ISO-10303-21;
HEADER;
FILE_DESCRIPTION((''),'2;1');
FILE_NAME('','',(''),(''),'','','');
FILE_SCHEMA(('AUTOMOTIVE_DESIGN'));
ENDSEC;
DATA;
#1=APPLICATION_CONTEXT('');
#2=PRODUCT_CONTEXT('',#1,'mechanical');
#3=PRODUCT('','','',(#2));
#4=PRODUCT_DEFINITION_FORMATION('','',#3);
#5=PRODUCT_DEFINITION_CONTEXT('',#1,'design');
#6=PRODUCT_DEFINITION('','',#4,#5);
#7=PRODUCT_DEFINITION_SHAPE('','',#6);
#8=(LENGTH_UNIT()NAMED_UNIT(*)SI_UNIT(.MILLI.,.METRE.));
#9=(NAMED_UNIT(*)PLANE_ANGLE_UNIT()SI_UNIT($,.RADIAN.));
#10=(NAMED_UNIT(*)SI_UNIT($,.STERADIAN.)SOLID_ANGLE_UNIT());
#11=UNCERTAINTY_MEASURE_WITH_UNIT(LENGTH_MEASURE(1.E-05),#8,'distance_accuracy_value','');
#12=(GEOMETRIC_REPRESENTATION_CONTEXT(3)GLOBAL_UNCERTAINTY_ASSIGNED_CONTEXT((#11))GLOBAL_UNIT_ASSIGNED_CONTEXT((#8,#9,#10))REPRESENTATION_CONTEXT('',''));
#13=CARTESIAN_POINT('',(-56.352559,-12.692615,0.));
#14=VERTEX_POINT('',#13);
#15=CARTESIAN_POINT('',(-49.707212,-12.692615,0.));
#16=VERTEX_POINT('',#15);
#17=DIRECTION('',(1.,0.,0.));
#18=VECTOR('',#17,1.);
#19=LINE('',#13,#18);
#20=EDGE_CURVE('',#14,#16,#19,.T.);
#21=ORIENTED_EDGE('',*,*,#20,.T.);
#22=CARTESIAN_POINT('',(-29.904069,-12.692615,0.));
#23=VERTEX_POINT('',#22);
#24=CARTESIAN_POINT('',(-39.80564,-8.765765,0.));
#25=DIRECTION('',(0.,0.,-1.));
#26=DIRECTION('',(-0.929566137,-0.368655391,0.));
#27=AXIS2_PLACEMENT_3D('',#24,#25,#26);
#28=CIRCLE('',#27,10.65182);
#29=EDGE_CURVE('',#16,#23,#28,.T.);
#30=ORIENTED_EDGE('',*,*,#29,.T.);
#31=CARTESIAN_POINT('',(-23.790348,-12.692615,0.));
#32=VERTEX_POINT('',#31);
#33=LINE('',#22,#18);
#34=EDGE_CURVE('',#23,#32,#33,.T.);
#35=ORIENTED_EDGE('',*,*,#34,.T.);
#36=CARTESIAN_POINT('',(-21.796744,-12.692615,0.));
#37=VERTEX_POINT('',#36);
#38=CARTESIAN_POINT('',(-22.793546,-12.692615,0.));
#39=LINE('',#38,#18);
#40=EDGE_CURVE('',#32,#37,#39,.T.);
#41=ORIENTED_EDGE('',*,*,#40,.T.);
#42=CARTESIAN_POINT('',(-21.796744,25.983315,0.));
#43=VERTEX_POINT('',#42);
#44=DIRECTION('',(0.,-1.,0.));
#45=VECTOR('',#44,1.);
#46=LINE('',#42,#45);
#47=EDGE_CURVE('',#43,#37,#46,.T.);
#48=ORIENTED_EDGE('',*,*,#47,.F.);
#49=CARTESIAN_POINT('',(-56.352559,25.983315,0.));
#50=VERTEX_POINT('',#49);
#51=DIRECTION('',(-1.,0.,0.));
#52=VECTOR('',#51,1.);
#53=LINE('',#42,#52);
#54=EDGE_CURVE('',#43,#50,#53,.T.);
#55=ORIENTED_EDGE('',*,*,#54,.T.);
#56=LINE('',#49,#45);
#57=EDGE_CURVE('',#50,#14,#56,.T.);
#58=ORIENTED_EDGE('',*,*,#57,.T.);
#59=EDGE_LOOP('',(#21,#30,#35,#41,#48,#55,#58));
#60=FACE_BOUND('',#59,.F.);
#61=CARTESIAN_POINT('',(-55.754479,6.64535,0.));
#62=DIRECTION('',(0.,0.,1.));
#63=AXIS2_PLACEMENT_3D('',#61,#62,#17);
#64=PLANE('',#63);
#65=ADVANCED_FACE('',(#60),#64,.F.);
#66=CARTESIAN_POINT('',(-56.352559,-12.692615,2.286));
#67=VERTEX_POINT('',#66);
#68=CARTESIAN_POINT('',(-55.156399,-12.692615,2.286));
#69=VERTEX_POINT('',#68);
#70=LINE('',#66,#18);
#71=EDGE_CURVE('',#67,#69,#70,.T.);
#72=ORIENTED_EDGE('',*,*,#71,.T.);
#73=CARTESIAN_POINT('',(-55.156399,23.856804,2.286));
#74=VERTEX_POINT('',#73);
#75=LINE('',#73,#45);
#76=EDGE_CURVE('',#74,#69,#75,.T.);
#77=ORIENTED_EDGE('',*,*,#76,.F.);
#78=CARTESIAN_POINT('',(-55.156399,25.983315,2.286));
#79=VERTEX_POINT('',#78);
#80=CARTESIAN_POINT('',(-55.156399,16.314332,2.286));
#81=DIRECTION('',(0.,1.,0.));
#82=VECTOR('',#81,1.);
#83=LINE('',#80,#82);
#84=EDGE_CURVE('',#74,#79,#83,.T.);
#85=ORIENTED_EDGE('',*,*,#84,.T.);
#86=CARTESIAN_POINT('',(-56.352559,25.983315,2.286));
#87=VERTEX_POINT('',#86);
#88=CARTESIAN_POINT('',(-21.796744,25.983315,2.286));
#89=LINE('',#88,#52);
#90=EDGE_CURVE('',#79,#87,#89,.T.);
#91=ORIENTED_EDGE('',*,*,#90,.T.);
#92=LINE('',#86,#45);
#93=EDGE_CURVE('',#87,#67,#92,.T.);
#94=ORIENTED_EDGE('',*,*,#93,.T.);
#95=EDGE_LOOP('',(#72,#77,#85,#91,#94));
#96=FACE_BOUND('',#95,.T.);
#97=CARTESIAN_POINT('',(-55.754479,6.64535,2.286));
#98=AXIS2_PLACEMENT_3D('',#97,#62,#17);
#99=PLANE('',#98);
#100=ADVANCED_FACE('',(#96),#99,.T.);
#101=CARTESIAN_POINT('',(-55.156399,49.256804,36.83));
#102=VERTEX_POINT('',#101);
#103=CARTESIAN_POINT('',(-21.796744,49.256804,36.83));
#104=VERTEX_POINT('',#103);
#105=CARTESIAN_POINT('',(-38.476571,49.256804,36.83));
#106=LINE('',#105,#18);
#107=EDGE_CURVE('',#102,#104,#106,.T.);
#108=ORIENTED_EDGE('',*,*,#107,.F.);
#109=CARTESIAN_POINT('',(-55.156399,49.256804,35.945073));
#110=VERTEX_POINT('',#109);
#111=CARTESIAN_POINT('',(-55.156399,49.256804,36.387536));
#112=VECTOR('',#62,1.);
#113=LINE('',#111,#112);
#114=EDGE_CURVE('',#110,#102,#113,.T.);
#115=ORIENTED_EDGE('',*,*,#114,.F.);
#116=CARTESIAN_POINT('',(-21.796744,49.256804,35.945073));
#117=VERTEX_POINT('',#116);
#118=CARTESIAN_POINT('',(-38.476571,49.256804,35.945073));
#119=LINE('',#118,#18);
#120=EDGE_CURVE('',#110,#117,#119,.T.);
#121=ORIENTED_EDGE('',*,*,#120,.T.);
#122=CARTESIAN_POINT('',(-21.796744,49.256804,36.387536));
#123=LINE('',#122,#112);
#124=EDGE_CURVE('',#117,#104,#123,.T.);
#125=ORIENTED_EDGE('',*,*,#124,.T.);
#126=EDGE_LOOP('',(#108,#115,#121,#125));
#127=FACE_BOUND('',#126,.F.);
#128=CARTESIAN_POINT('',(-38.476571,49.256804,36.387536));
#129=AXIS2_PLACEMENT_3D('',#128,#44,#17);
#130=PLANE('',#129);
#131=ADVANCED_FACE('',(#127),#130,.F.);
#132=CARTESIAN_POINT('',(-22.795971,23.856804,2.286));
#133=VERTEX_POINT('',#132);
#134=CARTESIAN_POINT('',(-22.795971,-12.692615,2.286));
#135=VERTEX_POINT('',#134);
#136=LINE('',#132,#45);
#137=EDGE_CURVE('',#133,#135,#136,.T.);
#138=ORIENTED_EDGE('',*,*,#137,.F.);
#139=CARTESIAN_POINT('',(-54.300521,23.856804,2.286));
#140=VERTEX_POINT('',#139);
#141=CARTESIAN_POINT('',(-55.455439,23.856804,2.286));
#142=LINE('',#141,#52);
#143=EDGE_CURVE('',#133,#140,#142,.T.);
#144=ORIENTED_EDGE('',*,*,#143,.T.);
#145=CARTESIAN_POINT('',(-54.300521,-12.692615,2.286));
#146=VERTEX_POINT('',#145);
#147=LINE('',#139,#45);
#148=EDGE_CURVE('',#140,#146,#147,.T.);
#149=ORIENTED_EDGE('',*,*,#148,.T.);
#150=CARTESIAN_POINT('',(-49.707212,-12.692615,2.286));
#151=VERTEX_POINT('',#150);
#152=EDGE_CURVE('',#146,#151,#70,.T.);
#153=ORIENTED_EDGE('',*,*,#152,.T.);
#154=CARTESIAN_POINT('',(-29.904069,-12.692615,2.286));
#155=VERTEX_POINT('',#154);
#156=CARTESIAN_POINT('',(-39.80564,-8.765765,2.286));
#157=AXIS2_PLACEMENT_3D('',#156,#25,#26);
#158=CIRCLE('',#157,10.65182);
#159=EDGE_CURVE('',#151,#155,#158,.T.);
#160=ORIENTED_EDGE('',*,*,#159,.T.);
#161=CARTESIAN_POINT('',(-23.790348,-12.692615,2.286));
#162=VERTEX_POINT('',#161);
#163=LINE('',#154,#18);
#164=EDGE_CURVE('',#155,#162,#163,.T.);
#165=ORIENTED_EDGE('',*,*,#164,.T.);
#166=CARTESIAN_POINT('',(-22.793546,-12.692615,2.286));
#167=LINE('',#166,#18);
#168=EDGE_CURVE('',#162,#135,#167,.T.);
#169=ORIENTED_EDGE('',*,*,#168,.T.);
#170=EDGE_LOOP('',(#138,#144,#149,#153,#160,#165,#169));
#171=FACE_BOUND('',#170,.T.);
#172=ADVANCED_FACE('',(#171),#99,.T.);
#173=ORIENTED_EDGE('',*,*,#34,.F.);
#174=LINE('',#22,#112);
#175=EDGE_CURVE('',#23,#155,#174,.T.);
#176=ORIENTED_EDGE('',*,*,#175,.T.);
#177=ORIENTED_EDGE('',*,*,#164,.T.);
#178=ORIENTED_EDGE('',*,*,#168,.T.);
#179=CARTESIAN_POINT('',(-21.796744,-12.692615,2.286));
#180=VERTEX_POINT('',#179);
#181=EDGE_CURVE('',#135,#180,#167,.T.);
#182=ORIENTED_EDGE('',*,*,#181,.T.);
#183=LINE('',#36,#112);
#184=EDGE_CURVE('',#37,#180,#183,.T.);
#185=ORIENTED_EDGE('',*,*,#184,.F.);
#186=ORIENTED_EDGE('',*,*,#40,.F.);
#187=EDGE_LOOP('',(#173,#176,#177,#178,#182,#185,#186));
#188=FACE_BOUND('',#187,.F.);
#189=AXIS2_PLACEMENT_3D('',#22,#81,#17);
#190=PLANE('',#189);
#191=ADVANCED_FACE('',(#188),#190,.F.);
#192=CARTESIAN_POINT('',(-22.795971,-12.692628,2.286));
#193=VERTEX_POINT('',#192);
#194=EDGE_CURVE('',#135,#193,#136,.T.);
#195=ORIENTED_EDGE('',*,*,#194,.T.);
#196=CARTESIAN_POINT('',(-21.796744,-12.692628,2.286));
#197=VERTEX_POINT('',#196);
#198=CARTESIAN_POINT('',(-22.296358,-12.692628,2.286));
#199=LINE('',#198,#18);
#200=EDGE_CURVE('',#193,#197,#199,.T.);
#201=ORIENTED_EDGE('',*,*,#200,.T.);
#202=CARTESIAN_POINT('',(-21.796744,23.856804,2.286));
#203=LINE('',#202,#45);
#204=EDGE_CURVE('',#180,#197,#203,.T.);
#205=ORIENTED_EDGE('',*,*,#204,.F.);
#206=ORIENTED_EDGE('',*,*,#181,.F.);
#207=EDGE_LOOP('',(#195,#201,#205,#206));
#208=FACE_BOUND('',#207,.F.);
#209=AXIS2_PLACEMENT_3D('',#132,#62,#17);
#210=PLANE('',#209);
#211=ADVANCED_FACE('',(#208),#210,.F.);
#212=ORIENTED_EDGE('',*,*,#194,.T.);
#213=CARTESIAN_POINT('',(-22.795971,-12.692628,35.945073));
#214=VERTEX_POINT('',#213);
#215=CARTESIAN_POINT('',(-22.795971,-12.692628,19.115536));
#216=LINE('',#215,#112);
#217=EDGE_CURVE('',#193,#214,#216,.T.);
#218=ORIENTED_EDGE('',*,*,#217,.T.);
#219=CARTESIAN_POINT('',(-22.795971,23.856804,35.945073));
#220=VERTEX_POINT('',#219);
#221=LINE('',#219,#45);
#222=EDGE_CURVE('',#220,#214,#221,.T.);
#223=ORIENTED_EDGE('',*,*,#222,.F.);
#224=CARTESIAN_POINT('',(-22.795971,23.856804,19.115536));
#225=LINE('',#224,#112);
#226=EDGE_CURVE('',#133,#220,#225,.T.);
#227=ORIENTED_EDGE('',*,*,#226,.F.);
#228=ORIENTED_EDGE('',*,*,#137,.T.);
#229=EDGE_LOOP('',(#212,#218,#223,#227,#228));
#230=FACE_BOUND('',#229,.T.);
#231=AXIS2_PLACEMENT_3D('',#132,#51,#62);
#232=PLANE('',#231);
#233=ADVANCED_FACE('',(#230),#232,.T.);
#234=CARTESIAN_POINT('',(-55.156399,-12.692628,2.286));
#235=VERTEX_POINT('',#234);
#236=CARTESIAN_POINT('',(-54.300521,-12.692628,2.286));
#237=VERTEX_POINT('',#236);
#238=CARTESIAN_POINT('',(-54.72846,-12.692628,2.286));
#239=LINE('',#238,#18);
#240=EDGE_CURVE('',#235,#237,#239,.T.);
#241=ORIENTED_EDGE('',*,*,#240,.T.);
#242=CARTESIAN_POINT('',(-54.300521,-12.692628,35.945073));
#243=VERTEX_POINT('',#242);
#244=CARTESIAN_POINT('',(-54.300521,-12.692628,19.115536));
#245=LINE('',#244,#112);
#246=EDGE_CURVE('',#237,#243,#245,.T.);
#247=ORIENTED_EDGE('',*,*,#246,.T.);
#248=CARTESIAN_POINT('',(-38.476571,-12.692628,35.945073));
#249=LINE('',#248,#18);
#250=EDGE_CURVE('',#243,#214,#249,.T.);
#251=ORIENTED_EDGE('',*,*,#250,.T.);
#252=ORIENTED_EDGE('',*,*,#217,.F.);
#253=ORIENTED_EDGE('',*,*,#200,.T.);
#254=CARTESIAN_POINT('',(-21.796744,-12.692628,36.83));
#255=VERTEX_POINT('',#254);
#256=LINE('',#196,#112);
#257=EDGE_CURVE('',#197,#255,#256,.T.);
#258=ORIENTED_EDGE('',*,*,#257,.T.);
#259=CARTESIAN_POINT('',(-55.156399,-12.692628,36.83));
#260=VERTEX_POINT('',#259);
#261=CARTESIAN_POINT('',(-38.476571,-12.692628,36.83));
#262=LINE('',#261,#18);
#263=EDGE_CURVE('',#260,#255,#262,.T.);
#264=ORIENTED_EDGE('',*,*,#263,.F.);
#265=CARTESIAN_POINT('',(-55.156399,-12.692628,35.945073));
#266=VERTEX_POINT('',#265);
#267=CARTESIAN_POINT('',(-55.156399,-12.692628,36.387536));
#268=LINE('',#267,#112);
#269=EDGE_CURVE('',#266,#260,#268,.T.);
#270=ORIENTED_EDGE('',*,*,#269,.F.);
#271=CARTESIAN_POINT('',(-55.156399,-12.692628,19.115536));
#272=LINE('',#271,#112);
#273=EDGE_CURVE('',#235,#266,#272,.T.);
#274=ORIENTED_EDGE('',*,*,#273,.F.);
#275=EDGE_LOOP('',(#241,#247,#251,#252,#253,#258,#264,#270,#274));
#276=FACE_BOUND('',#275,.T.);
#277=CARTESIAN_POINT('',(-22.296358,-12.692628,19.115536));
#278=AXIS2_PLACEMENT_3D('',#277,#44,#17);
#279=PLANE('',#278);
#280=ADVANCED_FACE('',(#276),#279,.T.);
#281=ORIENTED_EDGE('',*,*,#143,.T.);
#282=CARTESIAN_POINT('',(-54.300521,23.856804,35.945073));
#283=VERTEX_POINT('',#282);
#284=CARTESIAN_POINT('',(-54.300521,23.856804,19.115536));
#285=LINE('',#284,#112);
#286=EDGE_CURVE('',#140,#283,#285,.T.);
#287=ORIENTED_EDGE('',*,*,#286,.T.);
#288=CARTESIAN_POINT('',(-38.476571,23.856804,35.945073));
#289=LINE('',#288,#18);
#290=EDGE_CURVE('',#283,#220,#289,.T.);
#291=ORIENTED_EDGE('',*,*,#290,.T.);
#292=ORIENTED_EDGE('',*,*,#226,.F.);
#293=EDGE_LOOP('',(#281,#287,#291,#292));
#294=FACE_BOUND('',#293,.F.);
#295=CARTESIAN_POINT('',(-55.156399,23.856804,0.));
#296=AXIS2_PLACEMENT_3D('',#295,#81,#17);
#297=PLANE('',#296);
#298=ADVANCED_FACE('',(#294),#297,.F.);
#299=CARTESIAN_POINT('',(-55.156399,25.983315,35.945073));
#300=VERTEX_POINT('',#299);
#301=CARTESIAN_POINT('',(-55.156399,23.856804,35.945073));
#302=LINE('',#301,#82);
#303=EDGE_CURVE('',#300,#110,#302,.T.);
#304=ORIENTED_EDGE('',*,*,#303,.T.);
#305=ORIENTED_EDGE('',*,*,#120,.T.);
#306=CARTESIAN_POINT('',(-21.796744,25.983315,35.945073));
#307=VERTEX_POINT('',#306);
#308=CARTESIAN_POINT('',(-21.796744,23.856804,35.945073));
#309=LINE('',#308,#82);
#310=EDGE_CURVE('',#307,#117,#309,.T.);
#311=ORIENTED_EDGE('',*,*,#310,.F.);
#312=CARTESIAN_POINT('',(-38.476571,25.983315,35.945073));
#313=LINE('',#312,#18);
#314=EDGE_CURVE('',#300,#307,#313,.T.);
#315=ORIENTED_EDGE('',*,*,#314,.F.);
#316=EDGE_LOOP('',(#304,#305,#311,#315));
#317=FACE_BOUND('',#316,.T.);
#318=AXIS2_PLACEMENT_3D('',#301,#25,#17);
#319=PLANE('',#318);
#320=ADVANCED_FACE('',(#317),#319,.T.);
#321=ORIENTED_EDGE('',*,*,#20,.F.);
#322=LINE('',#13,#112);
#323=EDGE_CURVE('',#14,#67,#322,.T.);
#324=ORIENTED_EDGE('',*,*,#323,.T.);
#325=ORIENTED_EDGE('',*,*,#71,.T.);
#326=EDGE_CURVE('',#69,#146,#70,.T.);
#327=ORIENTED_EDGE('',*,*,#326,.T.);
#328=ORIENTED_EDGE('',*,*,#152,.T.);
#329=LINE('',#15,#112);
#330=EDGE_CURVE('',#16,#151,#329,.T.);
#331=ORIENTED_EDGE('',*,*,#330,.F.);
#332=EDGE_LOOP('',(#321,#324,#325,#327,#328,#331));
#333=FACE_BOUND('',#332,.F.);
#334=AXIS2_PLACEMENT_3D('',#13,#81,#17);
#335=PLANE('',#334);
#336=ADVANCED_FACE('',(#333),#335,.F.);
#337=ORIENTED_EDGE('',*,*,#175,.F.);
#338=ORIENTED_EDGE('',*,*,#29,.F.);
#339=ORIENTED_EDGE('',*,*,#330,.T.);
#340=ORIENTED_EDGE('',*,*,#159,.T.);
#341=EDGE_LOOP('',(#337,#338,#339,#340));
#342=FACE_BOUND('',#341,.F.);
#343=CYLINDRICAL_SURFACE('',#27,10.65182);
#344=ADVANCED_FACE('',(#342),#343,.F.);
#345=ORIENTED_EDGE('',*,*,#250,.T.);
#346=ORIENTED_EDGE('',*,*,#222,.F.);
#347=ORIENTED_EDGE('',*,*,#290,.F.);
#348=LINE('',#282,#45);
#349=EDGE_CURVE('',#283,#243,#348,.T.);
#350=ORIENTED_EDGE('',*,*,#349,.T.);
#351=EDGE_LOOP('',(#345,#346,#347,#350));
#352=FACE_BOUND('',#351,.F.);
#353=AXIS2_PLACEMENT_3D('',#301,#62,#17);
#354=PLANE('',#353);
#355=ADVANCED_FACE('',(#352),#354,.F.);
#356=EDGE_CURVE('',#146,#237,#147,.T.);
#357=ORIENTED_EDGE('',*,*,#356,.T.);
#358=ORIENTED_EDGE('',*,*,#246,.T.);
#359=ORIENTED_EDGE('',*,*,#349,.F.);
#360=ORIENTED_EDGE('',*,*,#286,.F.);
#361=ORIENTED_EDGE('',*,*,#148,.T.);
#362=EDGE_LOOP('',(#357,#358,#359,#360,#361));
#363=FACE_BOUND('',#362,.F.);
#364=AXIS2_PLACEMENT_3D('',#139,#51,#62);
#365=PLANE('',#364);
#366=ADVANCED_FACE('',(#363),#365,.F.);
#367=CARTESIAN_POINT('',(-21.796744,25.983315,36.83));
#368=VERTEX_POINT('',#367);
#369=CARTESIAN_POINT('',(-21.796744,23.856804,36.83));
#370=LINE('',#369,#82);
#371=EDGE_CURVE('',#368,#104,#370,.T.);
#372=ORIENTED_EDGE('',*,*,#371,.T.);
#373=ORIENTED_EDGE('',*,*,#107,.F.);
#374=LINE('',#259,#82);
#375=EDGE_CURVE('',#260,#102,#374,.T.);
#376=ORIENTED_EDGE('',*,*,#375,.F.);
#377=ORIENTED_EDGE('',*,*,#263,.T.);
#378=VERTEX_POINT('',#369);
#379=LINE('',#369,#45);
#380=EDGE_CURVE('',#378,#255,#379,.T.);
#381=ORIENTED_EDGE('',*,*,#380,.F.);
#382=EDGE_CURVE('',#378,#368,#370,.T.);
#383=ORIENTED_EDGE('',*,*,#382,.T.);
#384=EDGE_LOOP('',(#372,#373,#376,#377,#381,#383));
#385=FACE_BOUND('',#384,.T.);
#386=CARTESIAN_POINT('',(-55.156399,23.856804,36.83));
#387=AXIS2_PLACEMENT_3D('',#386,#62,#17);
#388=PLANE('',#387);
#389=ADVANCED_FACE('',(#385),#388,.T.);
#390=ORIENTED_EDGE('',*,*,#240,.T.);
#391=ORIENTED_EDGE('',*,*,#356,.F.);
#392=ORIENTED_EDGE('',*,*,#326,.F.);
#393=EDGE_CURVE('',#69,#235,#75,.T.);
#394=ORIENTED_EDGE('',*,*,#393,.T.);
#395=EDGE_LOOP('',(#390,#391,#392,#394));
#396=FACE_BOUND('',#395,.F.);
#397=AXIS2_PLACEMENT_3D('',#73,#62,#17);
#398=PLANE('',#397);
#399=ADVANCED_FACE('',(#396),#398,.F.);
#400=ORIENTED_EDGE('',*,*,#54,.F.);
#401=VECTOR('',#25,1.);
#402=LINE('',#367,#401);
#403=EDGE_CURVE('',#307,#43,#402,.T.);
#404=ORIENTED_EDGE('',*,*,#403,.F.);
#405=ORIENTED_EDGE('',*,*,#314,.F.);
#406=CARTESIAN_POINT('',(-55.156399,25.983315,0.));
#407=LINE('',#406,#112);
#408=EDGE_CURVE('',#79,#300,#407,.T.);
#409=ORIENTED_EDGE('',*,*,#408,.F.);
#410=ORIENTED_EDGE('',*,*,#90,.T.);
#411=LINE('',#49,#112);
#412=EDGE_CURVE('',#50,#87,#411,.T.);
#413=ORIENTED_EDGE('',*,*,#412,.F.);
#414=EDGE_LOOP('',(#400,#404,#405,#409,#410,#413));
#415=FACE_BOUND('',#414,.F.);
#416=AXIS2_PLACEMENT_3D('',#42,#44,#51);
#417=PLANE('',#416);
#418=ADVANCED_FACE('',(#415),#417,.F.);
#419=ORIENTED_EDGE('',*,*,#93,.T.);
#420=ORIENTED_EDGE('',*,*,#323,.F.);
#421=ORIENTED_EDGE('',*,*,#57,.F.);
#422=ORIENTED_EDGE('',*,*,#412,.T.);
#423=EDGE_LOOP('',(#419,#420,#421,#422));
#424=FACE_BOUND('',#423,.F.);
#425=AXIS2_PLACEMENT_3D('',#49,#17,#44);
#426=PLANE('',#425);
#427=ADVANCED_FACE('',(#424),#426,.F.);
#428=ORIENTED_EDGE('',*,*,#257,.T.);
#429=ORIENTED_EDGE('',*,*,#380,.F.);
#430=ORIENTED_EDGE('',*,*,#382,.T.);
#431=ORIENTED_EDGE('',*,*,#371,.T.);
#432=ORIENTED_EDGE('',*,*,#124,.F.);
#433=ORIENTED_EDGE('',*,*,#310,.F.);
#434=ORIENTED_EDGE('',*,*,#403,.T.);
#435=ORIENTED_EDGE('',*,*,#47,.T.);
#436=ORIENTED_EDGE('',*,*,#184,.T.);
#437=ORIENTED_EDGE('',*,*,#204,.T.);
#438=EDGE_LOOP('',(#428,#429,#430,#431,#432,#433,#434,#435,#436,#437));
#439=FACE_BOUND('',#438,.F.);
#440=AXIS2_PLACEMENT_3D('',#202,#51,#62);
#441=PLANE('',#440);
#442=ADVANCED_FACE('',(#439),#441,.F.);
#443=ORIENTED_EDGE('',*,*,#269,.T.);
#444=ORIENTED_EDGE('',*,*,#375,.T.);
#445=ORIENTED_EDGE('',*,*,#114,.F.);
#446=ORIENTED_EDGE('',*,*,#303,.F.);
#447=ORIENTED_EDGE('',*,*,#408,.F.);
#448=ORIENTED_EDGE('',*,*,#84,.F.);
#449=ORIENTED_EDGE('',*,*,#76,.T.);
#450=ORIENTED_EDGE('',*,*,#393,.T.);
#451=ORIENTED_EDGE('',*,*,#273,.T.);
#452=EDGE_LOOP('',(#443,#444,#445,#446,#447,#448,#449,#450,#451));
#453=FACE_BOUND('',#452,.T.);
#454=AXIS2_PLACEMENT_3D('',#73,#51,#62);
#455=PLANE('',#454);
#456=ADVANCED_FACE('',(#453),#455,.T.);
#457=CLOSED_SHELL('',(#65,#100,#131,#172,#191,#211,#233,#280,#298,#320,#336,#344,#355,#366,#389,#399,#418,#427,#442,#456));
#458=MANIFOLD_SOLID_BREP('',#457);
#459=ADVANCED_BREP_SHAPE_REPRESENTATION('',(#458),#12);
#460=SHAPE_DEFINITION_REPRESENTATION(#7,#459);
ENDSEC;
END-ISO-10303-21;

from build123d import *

# Parameters (mm, degrees)
F0_W          = 1.9936040044
F0_H          = 36.5494191647
F1_DEPTH      = 2.286
F2_DEPTH      = 36.83
F3_W          = 33.3596542478
F3_H          = 0.8849272299
F4_DEPTH      = 36.5494316
F4_DEPTH_BACK = 25.4
F5_W          = 0.8558779955
F5_H          = 33.6590727701
F6_DEPTH      = 36.5494316
F7_W          = 0.9992271662
F7_H          = 33.6590727701
F8_DEPTH      = 36.5494316


with BuildPart() as f1:
    # F0 (on Top) → F1 (new body)
    with BuildSketch(Plane.XY):
        Polygon((-55.1563985646, 25.9833149612), (-56.3525594771, 25.9833149612), (-56.3525594771, -12.6926153898), (-55.1563985646, -12.6926153898), (-55.1563985646, 23.8568037748), align=None)
        with Locations((-22.793546319, 5.5820941925)):
            Rectangle(F0_W, F0_H)
        Polygon((-21.7967443168, 25.9833149612), (-55.1563985646, 25.9833149612), (-55.1563985646, 23.8568037748), (-23.7903483212, 23.8568037748), (-21.7967443168, 23.8568037748), align=None)
        with BuildLine():
            Line((-23.7903483212, 23.8568037748), (-55.1563985646, 23.8568037748))
            Line((-55.1563985646, 23.8568037748), (-55.1563985646, -12.6926153898))
            Line((-55.1563985646, -12.6926153898), (-49.7072115541, -12.6926153898))
            ThreePointArc((-49.7072115541, -12.6926153898), (-39.8056404665, 1.8860553596), (-29.904069379, -12.6926153898))
            Line((-29.904069379, -12.6926153898), (-23.7903483212, -12.6926153898))
            Line((-23.7903483212, -12.6926153898), (-23.7903483212, 23.8568037748))
        make_face()
    extrude(amount=F1_DEPTH)

    # F0 (on Top) → F2 (join)
    with BuildSketch(Plane.XY):
        Polygon((-21.7967443168, 25.9833149612), (-55.1563985646, 25.9833149612), (-55.1563985646, 23.8568037748), (-23.7903483212, 23.8568037748), (-21.7967443168, 23.8568037748), align=None)
    extrude(amount=F2_DEPTH)

    # F3 (on face) → F4 (join, two sides)
    with BuildSketch(Plane.XZ.offset(-23.8568037748)) as f4_sk:
        with Locations((-38.4765714407, 36.3875363851)):
            Rectangle(F3_W, F3_H)
    extrude(amount=F4_DEPTH)
    extrude(f4_sk.sketch, amount=-F4_DEPTH_BACK)

    # F5 (on face) → F6 (join)
    with BuildSketch(Plane.XZ.offset(-23.8568037748)):
        with Locations((-54.7284595668, 19.1155363851)):
            Rectangle(F5_W, F5_H)
    extrude(amount=F6_DEPTH)

    # F7 (on face) → F8 (join)
    with BuildSketch(Plane.XZ.offset(-23.8568037748)):
        with Locations((-22.2963578999, 19.1155363851)):
            Rectangle(F7_W, F7_H)
    extrude(amount=F8_DEPTH)


solid = f1.part
